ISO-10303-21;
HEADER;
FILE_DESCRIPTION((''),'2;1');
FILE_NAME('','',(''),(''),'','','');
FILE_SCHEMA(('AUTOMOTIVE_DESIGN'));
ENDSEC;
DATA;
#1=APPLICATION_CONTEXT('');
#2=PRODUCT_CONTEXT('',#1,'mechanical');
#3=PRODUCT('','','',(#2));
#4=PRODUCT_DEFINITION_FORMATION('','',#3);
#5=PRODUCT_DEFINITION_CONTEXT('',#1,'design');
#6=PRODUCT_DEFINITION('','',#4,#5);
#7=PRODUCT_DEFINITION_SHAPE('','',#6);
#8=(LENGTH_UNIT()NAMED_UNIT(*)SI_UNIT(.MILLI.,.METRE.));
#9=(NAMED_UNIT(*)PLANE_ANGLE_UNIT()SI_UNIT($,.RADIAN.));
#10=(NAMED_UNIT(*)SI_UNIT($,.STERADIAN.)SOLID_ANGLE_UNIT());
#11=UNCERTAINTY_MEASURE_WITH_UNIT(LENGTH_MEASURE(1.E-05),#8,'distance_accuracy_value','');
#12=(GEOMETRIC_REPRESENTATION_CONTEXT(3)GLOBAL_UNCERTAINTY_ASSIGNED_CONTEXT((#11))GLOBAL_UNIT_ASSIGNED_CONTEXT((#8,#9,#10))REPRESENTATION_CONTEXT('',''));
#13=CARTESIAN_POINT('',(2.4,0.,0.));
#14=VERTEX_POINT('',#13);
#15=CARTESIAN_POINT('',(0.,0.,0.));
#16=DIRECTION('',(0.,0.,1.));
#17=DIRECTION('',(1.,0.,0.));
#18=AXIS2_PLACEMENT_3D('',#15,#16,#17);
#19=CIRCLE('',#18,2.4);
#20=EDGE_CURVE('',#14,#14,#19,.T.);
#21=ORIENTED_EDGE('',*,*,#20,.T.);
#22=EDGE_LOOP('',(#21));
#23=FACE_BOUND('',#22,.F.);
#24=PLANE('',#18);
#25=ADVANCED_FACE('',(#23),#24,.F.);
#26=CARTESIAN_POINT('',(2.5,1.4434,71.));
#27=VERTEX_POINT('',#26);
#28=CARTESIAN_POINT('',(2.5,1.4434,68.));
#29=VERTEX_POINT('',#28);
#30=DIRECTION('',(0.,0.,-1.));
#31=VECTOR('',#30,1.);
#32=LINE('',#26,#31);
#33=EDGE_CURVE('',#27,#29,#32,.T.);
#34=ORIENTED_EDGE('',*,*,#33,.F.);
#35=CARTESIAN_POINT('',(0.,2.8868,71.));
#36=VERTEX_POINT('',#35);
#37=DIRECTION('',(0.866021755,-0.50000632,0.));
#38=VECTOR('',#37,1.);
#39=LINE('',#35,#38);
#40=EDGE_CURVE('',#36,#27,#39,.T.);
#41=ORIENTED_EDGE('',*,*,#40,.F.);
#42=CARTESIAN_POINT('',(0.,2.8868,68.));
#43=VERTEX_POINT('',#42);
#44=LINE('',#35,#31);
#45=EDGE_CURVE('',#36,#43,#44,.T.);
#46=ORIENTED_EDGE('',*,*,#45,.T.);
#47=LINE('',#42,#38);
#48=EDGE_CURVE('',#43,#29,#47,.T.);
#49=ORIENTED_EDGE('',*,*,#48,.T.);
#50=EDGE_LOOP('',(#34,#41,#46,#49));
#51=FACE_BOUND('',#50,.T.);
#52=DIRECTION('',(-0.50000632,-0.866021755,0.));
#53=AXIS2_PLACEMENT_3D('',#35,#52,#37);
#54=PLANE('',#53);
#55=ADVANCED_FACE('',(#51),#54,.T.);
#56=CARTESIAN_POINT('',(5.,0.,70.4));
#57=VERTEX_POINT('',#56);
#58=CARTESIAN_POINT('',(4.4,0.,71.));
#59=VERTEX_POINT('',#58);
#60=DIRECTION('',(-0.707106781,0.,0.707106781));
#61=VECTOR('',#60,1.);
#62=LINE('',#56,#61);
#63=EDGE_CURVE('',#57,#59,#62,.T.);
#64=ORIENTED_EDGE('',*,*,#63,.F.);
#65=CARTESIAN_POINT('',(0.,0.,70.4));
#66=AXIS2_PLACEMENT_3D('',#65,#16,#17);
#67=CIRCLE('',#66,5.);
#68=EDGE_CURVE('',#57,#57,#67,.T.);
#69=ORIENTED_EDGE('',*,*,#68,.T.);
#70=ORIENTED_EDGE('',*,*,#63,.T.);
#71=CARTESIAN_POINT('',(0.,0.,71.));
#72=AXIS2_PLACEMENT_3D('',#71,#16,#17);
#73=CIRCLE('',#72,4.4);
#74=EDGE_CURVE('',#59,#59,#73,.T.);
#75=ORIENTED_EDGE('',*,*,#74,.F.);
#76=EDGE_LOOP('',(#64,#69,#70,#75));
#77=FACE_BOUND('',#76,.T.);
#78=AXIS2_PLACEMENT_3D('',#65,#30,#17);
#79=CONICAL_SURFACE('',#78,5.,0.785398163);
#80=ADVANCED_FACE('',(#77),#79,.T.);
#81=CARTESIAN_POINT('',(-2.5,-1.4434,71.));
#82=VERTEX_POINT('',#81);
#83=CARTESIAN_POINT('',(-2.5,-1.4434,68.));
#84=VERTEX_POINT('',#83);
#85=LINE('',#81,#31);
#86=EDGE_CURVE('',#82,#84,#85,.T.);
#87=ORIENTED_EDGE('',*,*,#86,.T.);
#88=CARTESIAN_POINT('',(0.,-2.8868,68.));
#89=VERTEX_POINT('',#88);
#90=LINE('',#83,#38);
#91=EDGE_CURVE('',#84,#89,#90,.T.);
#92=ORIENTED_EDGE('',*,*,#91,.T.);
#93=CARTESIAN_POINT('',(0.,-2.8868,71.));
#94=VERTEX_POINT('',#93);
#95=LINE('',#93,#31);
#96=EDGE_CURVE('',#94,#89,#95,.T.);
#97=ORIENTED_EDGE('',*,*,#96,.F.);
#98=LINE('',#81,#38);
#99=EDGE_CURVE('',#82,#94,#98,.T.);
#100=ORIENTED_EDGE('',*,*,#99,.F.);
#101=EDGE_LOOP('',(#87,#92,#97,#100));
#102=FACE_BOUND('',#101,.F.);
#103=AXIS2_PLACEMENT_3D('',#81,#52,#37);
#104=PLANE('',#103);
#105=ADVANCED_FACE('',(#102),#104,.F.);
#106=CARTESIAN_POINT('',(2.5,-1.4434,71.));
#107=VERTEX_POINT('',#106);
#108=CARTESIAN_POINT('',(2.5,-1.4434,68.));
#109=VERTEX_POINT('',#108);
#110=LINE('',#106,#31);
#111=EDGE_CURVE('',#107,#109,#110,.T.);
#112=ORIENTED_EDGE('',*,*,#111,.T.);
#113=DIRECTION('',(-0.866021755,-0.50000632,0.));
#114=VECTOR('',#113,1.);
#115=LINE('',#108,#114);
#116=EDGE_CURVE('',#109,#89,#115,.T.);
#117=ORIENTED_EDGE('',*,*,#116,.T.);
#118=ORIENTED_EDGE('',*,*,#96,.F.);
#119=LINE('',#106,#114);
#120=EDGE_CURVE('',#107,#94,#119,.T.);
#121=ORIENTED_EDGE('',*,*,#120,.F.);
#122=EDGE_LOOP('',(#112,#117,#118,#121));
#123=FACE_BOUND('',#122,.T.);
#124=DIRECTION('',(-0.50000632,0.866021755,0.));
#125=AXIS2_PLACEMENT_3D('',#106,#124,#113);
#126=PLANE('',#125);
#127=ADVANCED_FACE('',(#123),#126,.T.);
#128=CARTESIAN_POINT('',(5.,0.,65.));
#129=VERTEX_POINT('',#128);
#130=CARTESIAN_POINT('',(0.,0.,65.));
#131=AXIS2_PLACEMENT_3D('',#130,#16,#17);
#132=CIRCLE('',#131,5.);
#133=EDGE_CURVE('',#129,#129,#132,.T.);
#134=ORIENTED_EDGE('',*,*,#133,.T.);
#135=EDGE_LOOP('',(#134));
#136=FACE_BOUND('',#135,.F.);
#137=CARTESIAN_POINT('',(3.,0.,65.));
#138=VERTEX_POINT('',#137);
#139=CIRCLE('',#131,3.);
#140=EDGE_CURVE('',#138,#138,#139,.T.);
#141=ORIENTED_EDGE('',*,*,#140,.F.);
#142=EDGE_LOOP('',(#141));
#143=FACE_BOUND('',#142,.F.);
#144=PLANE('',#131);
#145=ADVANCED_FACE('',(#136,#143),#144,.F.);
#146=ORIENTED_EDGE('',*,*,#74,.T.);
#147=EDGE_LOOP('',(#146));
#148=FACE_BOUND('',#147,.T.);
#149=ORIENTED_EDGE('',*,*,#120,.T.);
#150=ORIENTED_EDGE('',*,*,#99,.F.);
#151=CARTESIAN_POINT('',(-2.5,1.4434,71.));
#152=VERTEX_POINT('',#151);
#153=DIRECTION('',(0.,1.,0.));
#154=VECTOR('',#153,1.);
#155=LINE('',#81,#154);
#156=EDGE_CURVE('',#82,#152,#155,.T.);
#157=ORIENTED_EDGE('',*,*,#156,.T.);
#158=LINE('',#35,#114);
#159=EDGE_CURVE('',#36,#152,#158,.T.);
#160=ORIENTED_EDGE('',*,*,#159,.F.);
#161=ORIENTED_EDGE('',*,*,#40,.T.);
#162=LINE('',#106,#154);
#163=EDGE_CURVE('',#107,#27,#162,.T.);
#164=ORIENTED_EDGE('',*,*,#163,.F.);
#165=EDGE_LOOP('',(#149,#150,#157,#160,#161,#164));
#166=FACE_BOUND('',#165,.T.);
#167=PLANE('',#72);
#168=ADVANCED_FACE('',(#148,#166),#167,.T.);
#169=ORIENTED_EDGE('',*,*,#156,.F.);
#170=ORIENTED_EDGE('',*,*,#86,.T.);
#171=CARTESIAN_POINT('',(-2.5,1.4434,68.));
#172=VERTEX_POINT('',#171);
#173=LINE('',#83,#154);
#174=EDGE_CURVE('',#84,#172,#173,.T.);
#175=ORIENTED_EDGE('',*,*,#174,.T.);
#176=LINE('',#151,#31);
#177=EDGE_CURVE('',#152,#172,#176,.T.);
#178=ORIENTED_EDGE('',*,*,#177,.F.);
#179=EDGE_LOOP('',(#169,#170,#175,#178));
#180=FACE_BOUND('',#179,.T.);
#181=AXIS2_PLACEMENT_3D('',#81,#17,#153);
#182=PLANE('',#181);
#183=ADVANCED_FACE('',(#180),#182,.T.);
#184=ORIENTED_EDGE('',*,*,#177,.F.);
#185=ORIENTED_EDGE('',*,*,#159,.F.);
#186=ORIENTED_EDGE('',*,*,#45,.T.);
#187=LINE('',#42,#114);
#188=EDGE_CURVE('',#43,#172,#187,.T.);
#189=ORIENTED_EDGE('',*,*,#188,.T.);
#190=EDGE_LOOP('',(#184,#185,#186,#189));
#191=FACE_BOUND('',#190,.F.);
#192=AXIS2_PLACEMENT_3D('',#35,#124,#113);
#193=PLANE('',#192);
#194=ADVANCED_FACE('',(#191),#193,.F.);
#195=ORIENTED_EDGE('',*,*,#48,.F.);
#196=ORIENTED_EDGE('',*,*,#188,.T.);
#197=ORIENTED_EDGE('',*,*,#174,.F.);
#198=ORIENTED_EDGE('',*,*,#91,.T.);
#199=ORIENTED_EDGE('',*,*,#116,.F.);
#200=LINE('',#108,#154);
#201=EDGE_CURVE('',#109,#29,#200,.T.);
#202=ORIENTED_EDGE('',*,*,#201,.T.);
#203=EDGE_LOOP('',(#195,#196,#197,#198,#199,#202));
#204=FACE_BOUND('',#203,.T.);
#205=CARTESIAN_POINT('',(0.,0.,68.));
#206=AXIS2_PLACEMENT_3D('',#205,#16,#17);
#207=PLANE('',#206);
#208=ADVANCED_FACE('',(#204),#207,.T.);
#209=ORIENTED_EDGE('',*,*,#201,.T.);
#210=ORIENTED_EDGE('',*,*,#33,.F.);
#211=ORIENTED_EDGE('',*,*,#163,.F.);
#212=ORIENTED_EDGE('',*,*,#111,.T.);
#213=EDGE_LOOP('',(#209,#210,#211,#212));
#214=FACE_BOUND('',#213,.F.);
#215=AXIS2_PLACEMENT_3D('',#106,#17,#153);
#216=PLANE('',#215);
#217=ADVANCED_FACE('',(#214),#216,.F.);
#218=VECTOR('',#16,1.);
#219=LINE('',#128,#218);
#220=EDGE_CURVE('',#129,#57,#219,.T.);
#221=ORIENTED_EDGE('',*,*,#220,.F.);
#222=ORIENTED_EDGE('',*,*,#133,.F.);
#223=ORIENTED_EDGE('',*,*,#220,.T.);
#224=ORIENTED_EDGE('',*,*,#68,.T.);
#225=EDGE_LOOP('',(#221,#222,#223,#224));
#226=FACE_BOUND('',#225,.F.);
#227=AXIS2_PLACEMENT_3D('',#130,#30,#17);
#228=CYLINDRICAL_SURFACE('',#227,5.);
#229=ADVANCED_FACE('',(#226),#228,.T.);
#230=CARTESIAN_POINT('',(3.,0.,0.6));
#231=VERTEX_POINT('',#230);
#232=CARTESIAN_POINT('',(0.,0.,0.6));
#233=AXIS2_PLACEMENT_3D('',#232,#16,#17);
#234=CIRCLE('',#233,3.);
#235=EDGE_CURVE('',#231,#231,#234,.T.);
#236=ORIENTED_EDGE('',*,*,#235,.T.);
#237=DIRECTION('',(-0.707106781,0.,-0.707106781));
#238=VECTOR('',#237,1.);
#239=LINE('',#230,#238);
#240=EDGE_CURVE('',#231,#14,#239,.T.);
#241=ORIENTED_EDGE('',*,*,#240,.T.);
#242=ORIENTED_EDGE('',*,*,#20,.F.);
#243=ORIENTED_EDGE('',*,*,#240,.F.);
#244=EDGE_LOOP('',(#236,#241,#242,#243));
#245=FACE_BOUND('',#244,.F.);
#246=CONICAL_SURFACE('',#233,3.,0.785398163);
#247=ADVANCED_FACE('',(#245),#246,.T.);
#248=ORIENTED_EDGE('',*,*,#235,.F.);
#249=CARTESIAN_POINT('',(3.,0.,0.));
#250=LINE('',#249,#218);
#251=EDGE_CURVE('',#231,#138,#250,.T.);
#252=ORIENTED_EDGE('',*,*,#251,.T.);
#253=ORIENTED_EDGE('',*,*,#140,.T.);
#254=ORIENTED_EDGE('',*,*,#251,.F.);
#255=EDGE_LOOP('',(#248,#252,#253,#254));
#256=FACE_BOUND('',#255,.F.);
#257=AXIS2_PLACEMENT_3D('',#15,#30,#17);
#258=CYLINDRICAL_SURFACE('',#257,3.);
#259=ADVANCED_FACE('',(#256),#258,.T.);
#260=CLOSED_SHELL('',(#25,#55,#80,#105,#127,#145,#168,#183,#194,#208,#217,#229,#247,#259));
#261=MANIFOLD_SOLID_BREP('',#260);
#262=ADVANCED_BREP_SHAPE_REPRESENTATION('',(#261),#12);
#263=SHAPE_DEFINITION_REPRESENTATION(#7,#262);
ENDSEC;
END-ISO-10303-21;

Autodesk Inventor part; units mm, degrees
ref_plane "YZ Plane" through (0, 0, 0) normal (1, 0, 0) x (0, 1, 0)
ref_plane "XZ Plane" through (0, 0, 0) normal (0, 1, 0) x (-1, 0, 0)
ref_plane "XY Plane" through (0, 0, 0) normal (0, 0, 1) x (1, 0, 0)
sketch "Sketch1" plane through (0, 0, 0) normal (0, 0, 1) x (1, 0, 0)
  circle A0 centre (0, 0) radius 3
  dimension "Diameter" = 6
extrude "Extrusion1" add sketch "Sketch1" along normal blind 65
sketch "Sketch2" plane through (0, 0, 65) normal (0, 0, 1) x (1, 0, 0)
  circle A0 centre (0, 0) radius 3 projected
  circle A1 centre (0, 0) radius 5
  dimension "Head_Diameter" = 10
extrude "Extrusion2" add sketch "Sketch2" along normal blind 6 contours A0 | A1
sketch "Sketch3" plane through (0, 0, 71) normal (0, 0, 1) x (1, 0, 0)
  circle A0 centre (0, 0) radius 5 projected
  circle A1 centre (0, 0) radius 2.8868 construction
  line L0 (0, 2.8868) -> (2.5, 1.4434)
  line L1 (2.5, -1.4434) -> (2.5, 1.4434)
  line L2 (0, 2.8868) -> (-2.5, 1.4434)
  line L3 (-2.5, -1.4434) -> (-2.5, 1.4434)
  line L4 (-2.5, -1.4434) -> (0, -2.8868)
  line L5 (2.5, -1.4434) -> (0, -2.8868)
  dimension "Hex_Width" = 5
extrude "Extrusion3" cut sketch "Sketch3" against normal blind 3 contours L0 L1 L5 L4 L3 L2
thread "Thread1" size "M6x1" class "4g6g" standard "ANSI Metric M Profile" length 24
chamfer "Chamfer1" distance 0.6 angle 45 2 edges at (-5, 0, 71) (-3, 0, 0)
equation "\"d9\" = ThreadLength"
equation "\"d12\" = Chamfer"
equation "\"ThreadLength\" = 24"
equation "\"Chamfer\" = 0.6"
properties part number "SCREW, SOCKET HD, P, 12.9, M6X1X65MM"
